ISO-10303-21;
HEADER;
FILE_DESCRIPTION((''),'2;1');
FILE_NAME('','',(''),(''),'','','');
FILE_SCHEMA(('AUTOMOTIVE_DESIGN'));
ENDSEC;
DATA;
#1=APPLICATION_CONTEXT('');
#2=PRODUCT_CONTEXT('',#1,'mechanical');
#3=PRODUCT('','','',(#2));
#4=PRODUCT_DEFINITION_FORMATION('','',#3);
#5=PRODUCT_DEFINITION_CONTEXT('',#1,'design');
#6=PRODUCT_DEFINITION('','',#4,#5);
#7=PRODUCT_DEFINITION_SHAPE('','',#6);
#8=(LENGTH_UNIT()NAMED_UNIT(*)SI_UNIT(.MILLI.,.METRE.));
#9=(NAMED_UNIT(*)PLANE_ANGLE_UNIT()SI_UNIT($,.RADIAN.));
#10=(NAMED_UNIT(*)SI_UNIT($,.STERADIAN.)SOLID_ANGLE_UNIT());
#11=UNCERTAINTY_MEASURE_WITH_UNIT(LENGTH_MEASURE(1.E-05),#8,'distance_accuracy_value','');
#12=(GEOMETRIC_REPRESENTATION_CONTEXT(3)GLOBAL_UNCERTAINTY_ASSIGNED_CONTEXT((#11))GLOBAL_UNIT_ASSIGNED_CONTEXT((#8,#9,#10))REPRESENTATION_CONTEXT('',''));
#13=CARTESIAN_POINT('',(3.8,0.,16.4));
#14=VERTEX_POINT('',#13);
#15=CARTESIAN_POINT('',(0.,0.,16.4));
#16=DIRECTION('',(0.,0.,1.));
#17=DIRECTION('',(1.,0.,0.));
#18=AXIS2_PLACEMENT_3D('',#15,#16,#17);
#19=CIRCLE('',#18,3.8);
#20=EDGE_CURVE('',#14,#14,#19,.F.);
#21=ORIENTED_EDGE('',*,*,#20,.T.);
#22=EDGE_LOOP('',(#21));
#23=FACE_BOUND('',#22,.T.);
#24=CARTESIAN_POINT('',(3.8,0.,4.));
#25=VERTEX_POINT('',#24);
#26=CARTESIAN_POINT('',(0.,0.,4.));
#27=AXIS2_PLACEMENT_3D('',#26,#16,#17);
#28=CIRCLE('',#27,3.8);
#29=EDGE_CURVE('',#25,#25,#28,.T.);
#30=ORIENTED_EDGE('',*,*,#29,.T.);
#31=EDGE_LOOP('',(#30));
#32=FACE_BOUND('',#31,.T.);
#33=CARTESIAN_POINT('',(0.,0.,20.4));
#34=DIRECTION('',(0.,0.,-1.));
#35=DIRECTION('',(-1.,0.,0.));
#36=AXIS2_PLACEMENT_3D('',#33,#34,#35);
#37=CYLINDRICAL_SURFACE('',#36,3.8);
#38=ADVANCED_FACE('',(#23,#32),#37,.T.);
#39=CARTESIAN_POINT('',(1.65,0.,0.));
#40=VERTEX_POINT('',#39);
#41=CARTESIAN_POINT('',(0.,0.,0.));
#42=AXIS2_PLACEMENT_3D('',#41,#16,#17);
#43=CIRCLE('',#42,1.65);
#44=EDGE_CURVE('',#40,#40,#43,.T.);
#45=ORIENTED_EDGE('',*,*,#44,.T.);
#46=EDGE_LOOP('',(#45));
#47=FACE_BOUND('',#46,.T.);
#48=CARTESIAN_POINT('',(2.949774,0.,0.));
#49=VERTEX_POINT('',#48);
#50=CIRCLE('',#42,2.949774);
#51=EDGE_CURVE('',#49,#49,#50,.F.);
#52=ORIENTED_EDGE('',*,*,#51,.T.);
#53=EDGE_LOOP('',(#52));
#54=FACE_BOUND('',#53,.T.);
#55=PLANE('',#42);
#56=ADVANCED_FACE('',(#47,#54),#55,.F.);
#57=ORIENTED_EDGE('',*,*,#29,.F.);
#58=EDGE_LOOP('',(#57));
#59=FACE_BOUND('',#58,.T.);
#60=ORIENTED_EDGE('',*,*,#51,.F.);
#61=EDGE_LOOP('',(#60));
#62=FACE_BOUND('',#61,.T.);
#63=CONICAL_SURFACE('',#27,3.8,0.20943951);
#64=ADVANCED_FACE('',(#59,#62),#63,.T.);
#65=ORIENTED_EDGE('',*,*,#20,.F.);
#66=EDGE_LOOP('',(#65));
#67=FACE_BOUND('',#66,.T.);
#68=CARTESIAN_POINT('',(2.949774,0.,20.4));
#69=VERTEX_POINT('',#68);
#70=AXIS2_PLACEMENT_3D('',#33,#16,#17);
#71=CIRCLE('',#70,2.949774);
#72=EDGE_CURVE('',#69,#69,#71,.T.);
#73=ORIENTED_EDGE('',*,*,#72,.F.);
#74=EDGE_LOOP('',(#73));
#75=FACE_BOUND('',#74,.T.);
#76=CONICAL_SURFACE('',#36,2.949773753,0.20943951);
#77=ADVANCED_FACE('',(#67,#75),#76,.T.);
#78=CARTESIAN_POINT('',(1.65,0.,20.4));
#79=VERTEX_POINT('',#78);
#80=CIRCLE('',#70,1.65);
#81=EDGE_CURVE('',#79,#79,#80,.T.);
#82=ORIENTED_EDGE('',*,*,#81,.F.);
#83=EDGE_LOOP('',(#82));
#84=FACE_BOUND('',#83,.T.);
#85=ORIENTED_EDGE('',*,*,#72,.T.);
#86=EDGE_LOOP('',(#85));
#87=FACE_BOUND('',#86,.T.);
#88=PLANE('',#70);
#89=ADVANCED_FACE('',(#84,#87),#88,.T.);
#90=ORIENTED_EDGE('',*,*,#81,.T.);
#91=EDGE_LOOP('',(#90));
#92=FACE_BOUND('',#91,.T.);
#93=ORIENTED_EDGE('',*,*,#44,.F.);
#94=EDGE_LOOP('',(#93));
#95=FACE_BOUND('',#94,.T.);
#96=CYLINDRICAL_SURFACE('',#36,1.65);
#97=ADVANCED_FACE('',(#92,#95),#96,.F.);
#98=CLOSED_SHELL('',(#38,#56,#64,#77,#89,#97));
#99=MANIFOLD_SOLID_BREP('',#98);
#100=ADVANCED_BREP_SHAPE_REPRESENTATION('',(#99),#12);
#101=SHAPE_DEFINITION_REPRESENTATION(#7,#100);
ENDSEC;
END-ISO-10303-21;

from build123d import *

# Parameters (mm, degrees)
SKETCH1_R           = 3.8
SKETCH1_R_2         = 1.65
BOSS_EXTRUDE1_DEPTH = 20.4
CHAMFER1_SIZE       = 4
CHAMFER1_SIZE2      = 0.850226247
CHAMFER2_SIZE       = 4
CHAMFER2_SIZE2      = 0.850226247


with BuildPart() as part:
    # Sketch1 → Boss-Extrude1 (new body)
    with BuildSketch(Plane.XY):
        Circle(SKETCH1_R)
        Circle(SKETCH1_R_2, mode=Mode.SUBTRACT)
    extrude(amount=BOSS_EXTRUDE1_DEPTH)

    # Chamfer1
    chamfer1_edges = [part.edges().sort_by_distance(p)[0] for p in [
        (-3.8, 0, 20.4),
    ]]
    chamfer1_side = [part.faces().sort_by_distance(p)[0] for p in [
        (-3.8, 0, 10.2),
    ]]
    chamfer(chamfer1_edges, length=CHAMFER1_SIZE, length2=CHAMFER1_SIZE2, reference=chamfer1_side[0])

    # Chamfer2
    chamfer2_edges = [part.edges().sort_by_distance(p)[0] for p in [
        (-3.8, 0, 0),
    ]]
    chamfer2_side = [part.faces().sort_by_distance(p)[0] for p in [
        (-3.8, 0, 8.2),
    ]]
    chamfer(chamfer2_edges, length=CHAMFER2_SIZE, length2=CHAMFER2_SIZE2, reference=chamfer2_side[0])


solid = part.part
